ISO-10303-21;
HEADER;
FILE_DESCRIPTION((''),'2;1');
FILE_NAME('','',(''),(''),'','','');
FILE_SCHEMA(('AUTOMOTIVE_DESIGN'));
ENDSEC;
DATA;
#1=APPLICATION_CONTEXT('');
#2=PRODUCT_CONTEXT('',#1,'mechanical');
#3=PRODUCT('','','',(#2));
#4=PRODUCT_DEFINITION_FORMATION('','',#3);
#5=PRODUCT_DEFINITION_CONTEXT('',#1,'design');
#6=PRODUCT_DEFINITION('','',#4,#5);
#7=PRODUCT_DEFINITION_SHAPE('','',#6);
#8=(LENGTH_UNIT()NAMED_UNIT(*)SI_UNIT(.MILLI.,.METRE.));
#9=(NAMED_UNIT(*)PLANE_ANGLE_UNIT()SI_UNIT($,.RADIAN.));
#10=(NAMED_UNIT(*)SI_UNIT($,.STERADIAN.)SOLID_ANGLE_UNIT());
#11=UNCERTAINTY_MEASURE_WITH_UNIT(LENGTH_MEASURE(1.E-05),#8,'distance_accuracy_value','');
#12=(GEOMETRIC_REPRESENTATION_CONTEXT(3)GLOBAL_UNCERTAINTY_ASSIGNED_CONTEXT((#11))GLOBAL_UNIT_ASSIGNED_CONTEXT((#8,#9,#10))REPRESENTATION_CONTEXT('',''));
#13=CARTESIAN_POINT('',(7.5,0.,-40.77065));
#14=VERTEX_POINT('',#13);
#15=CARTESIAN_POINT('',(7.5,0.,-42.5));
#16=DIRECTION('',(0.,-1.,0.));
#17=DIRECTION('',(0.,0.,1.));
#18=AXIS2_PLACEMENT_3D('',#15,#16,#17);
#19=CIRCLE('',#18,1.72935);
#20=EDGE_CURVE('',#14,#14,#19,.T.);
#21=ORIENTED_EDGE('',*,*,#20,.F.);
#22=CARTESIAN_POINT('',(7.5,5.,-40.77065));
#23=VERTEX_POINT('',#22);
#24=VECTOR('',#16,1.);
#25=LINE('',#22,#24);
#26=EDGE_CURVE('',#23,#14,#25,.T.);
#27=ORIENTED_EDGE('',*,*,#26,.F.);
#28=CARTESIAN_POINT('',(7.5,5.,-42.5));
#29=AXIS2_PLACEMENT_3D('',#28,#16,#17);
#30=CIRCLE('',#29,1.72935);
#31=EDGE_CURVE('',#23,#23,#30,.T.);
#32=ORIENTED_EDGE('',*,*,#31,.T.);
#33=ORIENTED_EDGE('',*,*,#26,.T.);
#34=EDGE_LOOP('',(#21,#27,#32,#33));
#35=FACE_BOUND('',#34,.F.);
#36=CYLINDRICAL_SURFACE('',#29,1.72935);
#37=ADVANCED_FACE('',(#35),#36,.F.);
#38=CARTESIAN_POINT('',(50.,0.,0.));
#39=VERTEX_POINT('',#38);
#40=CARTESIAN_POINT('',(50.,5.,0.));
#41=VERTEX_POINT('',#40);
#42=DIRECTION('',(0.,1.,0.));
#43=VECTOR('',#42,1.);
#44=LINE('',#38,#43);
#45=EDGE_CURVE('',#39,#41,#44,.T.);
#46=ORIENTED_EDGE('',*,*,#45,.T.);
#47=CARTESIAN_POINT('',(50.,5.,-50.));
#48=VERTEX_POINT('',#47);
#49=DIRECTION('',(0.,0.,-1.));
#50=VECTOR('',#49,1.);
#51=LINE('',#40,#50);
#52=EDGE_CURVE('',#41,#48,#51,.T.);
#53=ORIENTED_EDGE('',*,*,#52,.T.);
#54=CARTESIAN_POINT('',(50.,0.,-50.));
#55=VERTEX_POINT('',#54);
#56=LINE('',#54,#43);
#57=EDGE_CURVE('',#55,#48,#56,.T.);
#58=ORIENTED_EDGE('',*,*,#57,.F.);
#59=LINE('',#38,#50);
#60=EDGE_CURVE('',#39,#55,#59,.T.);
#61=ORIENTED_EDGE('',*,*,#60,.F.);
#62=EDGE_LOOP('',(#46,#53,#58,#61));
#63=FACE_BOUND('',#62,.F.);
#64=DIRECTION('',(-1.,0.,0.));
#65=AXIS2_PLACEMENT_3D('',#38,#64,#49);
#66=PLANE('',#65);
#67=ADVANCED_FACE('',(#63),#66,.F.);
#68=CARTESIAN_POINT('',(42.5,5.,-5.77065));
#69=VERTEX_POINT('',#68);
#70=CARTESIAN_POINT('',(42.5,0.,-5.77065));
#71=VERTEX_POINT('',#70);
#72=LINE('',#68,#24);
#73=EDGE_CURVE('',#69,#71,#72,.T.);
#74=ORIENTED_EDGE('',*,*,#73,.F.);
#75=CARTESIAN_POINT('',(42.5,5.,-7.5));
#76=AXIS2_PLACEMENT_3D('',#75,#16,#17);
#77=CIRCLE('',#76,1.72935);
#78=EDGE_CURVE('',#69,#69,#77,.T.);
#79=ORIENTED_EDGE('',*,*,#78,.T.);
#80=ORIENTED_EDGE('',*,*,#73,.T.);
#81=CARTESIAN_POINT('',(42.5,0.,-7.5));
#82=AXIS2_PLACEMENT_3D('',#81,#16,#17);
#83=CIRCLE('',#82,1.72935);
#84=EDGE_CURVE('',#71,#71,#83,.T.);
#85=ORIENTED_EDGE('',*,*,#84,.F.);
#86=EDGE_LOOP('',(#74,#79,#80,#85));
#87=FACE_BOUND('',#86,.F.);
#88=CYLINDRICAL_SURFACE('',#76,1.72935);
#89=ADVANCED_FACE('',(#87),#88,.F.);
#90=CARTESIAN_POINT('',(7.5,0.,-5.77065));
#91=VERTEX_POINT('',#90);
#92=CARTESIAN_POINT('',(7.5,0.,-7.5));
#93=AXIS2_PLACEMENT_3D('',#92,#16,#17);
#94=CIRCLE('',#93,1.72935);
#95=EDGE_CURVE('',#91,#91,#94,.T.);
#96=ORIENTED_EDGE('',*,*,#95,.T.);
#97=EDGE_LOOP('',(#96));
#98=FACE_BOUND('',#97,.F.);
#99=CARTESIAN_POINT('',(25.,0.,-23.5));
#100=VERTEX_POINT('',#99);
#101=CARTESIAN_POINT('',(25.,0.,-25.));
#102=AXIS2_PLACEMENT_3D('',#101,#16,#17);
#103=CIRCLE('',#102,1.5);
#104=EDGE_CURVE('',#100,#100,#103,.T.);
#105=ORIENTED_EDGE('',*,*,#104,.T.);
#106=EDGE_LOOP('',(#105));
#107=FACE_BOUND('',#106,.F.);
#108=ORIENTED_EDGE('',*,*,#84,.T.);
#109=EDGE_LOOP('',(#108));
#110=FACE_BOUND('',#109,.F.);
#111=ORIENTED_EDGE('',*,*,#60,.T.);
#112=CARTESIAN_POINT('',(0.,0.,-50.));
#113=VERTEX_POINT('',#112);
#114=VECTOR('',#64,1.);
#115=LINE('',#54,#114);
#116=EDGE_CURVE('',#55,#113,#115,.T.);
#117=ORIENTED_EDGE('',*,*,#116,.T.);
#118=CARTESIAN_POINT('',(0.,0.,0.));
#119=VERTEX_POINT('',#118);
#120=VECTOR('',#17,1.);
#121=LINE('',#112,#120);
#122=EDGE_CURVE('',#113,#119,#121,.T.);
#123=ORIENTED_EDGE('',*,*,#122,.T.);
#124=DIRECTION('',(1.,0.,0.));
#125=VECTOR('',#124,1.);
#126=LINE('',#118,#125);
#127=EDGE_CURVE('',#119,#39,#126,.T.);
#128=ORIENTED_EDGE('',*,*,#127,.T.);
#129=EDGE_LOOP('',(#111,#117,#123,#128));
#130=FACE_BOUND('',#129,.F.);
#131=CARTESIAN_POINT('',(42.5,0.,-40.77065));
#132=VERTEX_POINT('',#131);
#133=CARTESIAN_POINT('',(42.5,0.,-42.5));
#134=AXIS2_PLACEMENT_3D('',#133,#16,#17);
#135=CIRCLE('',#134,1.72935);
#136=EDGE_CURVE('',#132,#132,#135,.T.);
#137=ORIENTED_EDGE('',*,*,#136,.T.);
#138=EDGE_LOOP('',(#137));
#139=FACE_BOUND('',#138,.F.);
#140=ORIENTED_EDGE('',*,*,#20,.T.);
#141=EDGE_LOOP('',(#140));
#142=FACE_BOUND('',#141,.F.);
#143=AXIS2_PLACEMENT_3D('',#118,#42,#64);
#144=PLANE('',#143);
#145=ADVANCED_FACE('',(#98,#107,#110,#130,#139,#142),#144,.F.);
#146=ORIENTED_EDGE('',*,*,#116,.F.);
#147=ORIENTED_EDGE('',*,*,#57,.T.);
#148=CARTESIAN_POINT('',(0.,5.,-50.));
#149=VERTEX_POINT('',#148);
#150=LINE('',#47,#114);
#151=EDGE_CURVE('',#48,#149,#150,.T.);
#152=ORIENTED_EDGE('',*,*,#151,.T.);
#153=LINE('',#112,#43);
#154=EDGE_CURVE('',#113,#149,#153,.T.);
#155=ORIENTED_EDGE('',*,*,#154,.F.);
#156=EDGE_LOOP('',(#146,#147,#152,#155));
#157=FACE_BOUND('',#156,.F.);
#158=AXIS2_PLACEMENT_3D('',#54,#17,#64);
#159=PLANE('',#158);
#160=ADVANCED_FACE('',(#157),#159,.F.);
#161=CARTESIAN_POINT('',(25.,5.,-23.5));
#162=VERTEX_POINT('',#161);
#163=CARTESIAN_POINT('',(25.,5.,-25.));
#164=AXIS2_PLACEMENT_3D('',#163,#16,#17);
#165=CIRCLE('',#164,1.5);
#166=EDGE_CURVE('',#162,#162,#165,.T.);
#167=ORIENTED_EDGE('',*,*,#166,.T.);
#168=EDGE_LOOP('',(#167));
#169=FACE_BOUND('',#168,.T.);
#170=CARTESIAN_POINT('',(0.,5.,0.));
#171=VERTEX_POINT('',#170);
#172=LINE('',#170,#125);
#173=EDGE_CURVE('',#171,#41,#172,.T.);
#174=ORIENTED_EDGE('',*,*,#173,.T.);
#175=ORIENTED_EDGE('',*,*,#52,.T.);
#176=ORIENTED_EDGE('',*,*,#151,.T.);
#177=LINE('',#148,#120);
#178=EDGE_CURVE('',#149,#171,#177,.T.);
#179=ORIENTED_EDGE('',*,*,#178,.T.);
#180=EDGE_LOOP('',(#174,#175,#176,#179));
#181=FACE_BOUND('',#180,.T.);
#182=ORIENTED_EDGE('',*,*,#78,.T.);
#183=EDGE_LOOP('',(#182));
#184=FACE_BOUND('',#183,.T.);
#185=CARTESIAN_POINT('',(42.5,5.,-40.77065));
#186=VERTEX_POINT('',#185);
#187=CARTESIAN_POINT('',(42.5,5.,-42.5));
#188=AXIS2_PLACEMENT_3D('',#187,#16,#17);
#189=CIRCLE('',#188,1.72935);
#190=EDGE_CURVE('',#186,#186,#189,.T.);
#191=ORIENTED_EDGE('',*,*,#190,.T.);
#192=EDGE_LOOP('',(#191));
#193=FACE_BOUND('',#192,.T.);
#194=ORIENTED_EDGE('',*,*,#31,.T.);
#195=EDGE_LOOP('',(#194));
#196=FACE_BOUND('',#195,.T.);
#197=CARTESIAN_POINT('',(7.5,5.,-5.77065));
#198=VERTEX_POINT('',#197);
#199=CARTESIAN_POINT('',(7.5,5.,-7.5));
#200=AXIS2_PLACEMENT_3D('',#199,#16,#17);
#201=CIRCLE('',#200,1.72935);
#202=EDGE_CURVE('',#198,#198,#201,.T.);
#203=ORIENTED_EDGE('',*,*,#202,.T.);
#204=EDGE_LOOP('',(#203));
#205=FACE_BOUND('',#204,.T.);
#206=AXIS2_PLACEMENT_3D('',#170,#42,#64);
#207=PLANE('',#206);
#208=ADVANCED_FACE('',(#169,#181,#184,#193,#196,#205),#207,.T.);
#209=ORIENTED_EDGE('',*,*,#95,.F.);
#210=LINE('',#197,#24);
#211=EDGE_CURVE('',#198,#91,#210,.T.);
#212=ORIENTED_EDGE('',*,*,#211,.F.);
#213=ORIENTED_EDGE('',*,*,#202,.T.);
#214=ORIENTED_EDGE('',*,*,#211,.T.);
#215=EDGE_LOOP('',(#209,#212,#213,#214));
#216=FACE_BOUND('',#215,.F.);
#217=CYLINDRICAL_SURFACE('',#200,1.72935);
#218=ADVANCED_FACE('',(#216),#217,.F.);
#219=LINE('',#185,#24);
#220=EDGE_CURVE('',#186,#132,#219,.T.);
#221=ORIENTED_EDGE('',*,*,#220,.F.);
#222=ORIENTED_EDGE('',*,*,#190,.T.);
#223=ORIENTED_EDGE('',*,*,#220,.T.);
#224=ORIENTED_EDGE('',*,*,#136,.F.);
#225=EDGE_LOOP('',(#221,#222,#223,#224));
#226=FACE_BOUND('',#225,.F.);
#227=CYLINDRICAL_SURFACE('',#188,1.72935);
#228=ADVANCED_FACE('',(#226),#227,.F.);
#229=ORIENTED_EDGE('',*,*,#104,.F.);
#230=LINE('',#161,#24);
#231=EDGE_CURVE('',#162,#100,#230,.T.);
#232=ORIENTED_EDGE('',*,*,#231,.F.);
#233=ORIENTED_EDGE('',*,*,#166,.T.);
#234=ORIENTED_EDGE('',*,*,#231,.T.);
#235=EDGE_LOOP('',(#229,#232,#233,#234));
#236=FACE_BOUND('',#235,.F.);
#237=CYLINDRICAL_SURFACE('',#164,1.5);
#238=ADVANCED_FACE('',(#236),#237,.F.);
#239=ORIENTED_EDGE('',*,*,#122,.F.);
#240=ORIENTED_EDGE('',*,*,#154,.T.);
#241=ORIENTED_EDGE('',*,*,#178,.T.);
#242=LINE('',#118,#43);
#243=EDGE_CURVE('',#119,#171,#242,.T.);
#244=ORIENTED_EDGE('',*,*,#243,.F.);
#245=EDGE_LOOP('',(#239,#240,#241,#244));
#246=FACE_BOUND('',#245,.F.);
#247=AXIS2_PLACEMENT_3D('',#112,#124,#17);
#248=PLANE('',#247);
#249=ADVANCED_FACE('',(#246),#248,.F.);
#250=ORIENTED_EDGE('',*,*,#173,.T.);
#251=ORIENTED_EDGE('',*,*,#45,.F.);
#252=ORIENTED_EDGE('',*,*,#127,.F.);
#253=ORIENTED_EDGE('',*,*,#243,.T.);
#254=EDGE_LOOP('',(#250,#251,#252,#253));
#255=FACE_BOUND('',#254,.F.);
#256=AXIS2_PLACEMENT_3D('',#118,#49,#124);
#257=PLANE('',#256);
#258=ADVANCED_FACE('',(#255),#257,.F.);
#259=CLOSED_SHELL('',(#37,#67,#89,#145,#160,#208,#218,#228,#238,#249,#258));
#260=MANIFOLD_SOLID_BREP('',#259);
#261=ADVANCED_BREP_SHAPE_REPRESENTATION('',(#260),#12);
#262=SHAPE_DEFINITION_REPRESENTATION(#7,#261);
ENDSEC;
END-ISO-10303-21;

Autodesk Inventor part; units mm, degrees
ref_plane "YZ Plane" through (0, 0, 0) normal (1, 0, 0) x (0, 1, 0)
ref_plane "XZ Plane" through (0, 0, 0) normal (0, 1, 0) x (-1, 0, 0)
ref_plane "XY Plane" through (0, 0, 0) normal (0, 0, 1) x (1, 0, 0)
sketch "Sketch1" plane through (0, 0, 0) normal (0, 1, 0) x (-1, 0, 0)
  line L0 (0, 0) -> (-50, 0)
  line L1 (-50, 0) -> (-50, -50)
  line L2 (-50, -50) -> (0, -50)
  line L3 (0, -50) -> (0, 0)
  point P0 (-7.5, -7.5)
  point P1 (-7.5, -42.5)
  point P2 (-42.5, -42.5)
  point P3 (-42.5, -7.5)
  dimension "d0" = 50
  dimension "d1" = 50
  dimension "d2" = 35
  dimension "d3" = 7.5
  dimension "d4" = 35
  dimension "d5" = 35
  dimension "d6" = 7.5
  dimension "d7" = 7.5
  dimension "d23" = 35
  dimension "d24" = 7.5
extrude "Extrusion1" add sketch "Sketch1" along normal blind 5
sketch "Sketch2" plane through (0, 5, 0) normal (0, 1, 0) x (1, 0, 0)
  line L0 (50, 50) -> (0, 50) projected
  line L1 (0, 50) -> (0, 0) projected
  point P0 (7.5, 7.5)
  point P1 (7.5, 42.5)
  point P2 (42.5, 42.5)
  point P3 (42.5, 7.5)
  dimension "d10" = 35
  dimension "d11" = 35
  dimension "d12" = 35
  dimension "d13" = 7.5
  dimension "d14" = 7.5
  dimension "d15" = 7.5
  dimension "d25" = 35
  dimension "d26" = 7.5
hole "Hole1" at (7.5, 5, -7.5) at (7.5, 5, -42.5) at (42.5, 5, -42.5) at (42.5, 5, -7.5) direction (0, -1, 0) diameter 3.4587 end through all thread size "M4x0.5" class "6H" standard "ISO Metric profile"
sketch "Sketch3" plane through (0, 5, 0) normal (0, 1, 0) x (1, 0, 0)
  line L0 (0, 0) -> (50, 0) projected
  line L1 (0, 50) -> (0, 0) projected
  point P0 (25, 25)
  dimension "d27" = 25
  dimension "d28" = 25
hole "Hole2" at (25, 5, -25) direction (0, -1, 0) diameter 3 end through all
equation "\"d21\" = Thickness"
equation "\"BendRadius\" = Thickness"
equation "\"BendReliefWidth\" = Thickness"
equation "\"BendReliefDepth\" = 0.5 * Thickness"
equation "\"CornerReliefSize\" = 4 * Thickness"
equation "\"MinimumRemnant\" = 2 * Thickness"
equation "\"TransitionRadius\" = BendRadius"
equation "\"JacobiRadiusSize\" = BendRadius"
equation "\"GapSize\" = Thickness"
equation "\"Thickness\" = 0.5"
properties part number "Bottom link plate"
